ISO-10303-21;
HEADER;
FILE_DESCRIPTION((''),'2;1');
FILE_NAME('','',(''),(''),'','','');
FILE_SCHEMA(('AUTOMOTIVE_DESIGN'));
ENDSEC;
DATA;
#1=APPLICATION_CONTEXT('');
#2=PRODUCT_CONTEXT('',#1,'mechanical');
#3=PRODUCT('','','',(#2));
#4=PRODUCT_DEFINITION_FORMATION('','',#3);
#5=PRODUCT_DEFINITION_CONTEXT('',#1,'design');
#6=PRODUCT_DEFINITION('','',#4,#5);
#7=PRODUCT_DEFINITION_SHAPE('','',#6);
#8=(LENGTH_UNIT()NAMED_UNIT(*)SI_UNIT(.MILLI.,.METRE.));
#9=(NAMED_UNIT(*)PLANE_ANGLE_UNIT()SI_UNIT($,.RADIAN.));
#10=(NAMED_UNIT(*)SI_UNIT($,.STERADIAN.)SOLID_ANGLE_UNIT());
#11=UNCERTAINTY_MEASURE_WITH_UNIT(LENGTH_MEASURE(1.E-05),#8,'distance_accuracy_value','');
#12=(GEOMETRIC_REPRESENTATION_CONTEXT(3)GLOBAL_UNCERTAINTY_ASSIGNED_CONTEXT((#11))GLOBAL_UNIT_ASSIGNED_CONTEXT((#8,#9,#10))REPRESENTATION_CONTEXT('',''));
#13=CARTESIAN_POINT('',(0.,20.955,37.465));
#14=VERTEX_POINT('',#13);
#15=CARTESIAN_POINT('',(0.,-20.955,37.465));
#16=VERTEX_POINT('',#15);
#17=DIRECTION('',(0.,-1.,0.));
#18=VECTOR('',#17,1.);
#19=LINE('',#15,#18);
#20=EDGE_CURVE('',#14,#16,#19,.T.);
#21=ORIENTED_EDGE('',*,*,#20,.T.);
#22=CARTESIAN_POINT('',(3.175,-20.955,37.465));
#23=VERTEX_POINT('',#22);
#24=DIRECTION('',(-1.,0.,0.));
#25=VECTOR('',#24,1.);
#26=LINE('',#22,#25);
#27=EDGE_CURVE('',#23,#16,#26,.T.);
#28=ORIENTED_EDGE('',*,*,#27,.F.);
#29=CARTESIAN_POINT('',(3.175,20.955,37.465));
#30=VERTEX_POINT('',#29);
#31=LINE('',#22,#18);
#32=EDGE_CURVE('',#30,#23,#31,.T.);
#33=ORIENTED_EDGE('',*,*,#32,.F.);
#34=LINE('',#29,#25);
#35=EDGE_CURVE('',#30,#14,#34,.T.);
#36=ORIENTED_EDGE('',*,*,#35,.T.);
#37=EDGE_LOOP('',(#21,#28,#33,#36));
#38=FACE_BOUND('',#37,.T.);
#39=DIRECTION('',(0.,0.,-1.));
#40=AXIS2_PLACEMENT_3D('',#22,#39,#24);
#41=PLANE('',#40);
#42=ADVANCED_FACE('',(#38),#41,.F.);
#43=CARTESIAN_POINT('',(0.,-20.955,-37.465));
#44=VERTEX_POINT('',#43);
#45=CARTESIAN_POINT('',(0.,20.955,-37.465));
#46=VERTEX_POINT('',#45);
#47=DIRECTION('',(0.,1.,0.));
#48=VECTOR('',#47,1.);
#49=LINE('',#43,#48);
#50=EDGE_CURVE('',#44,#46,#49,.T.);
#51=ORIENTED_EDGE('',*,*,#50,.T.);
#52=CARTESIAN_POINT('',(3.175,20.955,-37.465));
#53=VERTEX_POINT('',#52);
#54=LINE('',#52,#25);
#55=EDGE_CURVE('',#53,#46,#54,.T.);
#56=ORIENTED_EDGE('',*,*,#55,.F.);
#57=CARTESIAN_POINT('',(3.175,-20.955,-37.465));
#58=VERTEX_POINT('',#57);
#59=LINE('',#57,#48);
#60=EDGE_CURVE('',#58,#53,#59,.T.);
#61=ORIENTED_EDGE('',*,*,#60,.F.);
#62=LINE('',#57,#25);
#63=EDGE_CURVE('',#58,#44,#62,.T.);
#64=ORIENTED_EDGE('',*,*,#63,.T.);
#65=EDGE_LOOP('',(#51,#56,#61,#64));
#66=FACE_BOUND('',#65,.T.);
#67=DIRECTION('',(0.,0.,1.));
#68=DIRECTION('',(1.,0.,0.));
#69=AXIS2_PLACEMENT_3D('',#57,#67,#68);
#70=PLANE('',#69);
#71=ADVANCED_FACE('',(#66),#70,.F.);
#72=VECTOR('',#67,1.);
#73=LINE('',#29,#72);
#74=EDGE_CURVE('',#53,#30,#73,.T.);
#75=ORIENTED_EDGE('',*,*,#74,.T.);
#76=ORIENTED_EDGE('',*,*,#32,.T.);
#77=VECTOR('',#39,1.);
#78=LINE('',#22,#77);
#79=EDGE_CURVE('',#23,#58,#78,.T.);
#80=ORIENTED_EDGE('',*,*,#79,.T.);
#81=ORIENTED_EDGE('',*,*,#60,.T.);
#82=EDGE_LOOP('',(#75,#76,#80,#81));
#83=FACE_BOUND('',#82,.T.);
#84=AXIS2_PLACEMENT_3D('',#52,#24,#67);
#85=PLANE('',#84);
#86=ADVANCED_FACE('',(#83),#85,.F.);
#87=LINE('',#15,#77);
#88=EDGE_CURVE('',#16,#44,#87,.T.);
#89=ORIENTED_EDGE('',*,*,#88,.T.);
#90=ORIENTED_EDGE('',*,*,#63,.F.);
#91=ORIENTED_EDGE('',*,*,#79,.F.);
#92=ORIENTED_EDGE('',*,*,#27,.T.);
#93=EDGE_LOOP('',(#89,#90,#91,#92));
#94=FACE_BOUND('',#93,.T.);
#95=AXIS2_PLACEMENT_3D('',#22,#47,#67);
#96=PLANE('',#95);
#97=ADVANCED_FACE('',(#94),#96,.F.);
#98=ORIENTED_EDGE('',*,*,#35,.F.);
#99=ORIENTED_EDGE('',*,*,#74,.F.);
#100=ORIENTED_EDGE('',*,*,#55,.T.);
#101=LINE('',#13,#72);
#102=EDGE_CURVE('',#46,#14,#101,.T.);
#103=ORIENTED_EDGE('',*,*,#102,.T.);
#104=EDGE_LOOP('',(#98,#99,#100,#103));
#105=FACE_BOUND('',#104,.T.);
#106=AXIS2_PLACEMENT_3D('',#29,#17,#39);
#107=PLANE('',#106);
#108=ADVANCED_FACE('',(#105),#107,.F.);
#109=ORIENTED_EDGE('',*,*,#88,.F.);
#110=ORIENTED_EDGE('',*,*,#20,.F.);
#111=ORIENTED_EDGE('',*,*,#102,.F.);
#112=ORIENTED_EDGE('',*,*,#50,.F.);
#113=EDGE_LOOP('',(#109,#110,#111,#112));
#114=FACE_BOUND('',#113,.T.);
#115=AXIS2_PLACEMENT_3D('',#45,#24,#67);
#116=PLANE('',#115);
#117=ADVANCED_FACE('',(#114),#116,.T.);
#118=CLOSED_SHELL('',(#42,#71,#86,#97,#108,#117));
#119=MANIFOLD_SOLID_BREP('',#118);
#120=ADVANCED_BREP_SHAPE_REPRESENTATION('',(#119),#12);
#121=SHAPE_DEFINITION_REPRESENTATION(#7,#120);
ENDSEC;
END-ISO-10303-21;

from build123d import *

# Parameters (mm, degrees)
SKETCH1_W           = 74.93
SKETCH1_H           = 41.91
BOSS_EXTRUDE1_DEPTH = 3.175


with BuildPart() as part:
    # Sketch1 → Boss-Extrude1 (new body)
    with BuildSketch(Plane(origin=(0, 0, 0), x_dir=(0, 0, -1), z_dir=(1, 0, 0))):
        Rectangle(SKETCH1_W, SKETCH1_H)
    extrude(amount=BOSS_EXTRUDE1_DEPTH)


solid = part.part
